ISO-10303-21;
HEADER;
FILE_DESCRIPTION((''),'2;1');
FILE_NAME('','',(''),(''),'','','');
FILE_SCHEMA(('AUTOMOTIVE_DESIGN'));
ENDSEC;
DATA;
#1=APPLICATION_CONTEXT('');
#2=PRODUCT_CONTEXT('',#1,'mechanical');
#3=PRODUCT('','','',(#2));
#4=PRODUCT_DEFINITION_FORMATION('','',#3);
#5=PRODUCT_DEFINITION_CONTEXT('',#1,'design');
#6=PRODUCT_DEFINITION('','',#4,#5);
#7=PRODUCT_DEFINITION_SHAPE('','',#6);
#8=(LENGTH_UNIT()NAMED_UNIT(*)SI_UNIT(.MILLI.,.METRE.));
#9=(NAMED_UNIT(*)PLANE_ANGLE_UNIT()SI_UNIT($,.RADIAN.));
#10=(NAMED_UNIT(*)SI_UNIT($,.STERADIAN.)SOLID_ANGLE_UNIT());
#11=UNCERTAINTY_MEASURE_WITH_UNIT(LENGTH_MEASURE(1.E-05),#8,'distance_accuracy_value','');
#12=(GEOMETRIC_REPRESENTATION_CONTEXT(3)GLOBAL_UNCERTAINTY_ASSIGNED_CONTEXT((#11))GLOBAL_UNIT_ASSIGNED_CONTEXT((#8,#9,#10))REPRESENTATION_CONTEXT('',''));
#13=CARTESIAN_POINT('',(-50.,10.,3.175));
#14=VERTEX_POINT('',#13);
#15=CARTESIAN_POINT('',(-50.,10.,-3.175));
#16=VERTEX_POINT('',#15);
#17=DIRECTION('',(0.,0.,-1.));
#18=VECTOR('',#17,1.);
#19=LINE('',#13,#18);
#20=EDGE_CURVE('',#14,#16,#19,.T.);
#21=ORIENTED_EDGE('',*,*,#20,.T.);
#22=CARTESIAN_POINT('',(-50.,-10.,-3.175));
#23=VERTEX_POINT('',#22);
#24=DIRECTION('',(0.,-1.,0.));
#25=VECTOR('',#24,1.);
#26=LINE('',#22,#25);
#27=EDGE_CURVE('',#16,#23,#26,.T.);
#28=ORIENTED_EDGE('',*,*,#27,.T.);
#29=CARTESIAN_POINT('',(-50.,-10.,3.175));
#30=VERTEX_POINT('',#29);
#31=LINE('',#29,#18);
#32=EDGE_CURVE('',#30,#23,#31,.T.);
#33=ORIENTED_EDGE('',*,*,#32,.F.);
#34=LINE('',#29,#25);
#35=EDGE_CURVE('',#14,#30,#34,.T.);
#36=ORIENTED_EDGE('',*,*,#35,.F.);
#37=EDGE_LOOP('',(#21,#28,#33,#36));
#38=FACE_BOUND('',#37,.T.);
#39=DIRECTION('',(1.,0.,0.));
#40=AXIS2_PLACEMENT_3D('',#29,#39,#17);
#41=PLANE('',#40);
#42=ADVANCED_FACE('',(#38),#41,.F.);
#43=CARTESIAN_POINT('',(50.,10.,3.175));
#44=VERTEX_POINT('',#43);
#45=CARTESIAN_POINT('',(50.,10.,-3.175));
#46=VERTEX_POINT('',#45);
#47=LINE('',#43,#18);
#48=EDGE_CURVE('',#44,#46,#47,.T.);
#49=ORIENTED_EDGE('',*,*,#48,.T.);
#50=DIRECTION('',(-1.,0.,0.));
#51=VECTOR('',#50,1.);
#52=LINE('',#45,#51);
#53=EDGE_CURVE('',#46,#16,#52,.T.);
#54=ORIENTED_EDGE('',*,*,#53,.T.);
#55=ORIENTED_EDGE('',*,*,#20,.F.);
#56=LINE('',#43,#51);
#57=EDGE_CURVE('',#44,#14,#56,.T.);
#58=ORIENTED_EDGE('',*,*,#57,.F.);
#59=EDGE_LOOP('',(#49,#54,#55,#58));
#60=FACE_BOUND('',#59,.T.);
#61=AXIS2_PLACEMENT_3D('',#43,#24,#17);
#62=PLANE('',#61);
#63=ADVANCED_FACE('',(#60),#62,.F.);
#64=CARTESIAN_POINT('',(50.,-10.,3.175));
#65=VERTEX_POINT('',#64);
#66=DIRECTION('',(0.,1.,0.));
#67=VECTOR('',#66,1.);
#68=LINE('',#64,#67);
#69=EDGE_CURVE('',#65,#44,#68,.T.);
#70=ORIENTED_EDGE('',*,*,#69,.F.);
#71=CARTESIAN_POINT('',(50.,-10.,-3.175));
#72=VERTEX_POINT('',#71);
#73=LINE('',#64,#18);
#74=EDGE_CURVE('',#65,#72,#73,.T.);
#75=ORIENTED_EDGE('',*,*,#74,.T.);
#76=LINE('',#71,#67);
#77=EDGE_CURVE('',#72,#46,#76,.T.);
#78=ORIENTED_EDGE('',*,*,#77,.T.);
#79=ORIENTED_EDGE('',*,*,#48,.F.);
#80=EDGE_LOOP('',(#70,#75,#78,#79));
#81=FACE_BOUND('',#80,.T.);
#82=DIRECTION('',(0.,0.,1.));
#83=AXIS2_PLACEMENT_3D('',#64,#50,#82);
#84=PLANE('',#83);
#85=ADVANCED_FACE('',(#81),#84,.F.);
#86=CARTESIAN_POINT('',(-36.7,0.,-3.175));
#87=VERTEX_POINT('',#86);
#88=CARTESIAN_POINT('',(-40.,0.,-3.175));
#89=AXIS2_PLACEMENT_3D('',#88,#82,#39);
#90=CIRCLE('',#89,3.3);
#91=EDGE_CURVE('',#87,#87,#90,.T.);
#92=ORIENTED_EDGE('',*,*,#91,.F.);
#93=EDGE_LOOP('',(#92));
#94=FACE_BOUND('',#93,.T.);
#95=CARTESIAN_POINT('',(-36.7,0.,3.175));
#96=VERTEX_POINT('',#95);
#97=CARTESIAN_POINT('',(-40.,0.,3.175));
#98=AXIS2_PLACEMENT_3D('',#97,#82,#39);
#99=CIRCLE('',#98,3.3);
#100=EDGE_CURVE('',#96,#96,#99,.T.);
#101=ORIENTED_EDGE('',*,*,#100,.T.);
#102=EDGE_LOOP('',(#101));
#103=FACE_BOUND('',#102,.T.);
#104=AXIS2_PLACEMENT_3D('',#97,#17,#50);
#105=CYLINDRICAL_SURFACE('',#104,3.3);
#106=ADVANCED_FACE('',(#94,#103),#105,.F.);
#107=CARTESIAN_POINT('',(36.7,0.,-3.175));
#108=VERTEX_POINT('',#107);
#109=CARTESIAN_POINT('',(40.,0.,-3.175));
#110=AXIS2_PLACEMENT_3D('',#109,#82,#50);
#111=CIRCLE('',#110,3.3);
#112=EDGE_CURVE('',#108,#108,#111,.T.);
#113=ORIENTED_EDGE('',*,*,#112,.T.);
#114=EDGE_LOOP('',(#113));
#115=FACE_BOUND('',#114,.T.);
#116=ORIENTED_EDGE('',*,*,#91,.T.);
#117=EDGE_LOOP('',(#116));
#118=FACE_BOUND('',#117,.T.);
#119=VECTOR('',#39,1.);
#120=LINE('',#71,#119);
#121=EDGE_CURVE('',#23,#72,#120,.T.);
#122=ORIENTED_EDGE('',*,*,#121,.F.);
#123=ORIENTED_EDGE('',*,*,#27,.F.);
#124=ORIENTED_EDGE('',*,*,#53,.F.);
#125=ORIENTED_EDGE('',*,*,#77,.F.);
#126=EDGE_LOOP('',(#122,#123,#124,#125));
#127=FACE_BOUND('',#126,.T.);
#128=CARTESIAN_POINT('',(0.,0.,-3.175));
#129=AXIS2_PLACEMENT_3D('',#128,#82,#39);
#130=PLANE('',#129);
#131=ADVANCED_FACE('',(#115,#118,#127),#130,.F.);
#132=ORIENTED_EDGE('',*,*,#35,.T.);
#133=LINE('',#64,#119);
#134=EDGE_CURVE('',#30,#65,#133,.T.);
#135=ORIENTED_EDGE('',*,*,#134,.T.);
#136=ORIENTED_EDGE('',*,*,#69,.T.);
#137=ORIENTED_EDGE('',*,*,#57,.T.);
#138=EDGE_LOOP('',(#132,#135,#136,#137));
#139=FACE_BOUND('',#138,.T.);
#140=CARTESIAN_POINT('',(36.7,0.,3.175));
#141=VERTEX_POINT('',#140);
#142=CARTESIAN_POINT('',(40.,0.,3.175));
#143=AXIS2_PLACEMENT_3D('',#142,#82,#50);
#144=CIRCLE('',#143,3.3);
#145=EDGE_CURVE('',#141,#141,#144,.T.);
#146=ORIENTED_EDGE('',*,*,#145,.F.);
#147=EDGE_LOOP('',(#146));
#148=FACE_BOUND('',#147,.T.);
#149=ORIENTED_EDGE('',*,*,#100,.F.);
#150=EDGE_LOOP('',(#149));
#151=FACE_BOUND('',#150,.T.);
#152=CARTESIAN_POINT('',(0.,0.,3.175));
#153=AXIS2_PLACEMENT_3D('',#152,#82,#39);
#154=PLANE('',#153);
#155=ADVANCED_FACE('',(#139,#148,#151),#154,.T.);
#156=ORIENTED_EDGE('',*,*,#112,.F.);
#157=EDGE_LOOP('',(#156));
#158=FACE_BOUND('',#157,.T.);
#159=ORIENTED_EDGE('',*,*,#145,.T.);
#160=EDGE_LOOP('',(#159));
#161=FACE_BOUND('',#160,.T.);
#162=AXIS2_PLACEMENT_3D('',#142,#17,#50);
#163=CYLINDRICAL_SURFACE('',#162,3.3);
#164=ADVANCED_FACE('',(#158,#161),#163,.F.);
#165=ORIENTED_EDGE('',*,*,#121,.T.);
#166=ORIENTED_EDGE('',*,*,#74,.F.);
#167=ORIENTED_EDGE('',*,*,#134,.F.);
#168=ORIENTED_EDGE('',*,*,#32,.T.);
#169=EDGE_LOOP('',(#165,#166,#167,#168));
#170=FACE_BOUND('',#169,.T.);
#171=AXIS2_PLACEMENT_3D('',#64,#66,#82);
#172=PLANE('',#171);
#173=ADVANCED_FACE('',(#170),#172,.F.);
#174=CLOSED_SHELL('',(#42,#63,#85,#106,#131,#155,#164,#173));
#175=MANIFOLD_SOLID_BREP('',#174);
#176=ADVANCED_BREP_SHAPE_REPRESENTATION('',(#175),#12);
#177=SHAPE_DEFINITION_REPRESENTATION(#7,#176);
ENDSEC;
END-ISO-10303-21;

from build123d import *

# Parameters (mm, degrees)
SKETCH1_W           = 100
SKETCH1_H           = 20
SKETCH1_R           = 3.3
BOSS_EXTRUDE1_DEPTH = 3.175


with BuildPart() as part:
    # Sketch1 → Boss-Extrude1 (new, symmetric)
    with BuildSketch(Plane.XY):
        Rectangle(SKETCH1_W, SKETCH1_H)
        with Locations((-40, 0)):
            Circle(SKETCH1_R, mode=Mode.SUBTRACT)
        with Locations(Location((40, 0, 0), (0, 0, 180))):
            Circle(SKETCH1_R, mode=Mode.SUBTRACT)
    extrude(amount=BOSS_EXTRUDE1_DEPTH, both=True)


solid = part.part
